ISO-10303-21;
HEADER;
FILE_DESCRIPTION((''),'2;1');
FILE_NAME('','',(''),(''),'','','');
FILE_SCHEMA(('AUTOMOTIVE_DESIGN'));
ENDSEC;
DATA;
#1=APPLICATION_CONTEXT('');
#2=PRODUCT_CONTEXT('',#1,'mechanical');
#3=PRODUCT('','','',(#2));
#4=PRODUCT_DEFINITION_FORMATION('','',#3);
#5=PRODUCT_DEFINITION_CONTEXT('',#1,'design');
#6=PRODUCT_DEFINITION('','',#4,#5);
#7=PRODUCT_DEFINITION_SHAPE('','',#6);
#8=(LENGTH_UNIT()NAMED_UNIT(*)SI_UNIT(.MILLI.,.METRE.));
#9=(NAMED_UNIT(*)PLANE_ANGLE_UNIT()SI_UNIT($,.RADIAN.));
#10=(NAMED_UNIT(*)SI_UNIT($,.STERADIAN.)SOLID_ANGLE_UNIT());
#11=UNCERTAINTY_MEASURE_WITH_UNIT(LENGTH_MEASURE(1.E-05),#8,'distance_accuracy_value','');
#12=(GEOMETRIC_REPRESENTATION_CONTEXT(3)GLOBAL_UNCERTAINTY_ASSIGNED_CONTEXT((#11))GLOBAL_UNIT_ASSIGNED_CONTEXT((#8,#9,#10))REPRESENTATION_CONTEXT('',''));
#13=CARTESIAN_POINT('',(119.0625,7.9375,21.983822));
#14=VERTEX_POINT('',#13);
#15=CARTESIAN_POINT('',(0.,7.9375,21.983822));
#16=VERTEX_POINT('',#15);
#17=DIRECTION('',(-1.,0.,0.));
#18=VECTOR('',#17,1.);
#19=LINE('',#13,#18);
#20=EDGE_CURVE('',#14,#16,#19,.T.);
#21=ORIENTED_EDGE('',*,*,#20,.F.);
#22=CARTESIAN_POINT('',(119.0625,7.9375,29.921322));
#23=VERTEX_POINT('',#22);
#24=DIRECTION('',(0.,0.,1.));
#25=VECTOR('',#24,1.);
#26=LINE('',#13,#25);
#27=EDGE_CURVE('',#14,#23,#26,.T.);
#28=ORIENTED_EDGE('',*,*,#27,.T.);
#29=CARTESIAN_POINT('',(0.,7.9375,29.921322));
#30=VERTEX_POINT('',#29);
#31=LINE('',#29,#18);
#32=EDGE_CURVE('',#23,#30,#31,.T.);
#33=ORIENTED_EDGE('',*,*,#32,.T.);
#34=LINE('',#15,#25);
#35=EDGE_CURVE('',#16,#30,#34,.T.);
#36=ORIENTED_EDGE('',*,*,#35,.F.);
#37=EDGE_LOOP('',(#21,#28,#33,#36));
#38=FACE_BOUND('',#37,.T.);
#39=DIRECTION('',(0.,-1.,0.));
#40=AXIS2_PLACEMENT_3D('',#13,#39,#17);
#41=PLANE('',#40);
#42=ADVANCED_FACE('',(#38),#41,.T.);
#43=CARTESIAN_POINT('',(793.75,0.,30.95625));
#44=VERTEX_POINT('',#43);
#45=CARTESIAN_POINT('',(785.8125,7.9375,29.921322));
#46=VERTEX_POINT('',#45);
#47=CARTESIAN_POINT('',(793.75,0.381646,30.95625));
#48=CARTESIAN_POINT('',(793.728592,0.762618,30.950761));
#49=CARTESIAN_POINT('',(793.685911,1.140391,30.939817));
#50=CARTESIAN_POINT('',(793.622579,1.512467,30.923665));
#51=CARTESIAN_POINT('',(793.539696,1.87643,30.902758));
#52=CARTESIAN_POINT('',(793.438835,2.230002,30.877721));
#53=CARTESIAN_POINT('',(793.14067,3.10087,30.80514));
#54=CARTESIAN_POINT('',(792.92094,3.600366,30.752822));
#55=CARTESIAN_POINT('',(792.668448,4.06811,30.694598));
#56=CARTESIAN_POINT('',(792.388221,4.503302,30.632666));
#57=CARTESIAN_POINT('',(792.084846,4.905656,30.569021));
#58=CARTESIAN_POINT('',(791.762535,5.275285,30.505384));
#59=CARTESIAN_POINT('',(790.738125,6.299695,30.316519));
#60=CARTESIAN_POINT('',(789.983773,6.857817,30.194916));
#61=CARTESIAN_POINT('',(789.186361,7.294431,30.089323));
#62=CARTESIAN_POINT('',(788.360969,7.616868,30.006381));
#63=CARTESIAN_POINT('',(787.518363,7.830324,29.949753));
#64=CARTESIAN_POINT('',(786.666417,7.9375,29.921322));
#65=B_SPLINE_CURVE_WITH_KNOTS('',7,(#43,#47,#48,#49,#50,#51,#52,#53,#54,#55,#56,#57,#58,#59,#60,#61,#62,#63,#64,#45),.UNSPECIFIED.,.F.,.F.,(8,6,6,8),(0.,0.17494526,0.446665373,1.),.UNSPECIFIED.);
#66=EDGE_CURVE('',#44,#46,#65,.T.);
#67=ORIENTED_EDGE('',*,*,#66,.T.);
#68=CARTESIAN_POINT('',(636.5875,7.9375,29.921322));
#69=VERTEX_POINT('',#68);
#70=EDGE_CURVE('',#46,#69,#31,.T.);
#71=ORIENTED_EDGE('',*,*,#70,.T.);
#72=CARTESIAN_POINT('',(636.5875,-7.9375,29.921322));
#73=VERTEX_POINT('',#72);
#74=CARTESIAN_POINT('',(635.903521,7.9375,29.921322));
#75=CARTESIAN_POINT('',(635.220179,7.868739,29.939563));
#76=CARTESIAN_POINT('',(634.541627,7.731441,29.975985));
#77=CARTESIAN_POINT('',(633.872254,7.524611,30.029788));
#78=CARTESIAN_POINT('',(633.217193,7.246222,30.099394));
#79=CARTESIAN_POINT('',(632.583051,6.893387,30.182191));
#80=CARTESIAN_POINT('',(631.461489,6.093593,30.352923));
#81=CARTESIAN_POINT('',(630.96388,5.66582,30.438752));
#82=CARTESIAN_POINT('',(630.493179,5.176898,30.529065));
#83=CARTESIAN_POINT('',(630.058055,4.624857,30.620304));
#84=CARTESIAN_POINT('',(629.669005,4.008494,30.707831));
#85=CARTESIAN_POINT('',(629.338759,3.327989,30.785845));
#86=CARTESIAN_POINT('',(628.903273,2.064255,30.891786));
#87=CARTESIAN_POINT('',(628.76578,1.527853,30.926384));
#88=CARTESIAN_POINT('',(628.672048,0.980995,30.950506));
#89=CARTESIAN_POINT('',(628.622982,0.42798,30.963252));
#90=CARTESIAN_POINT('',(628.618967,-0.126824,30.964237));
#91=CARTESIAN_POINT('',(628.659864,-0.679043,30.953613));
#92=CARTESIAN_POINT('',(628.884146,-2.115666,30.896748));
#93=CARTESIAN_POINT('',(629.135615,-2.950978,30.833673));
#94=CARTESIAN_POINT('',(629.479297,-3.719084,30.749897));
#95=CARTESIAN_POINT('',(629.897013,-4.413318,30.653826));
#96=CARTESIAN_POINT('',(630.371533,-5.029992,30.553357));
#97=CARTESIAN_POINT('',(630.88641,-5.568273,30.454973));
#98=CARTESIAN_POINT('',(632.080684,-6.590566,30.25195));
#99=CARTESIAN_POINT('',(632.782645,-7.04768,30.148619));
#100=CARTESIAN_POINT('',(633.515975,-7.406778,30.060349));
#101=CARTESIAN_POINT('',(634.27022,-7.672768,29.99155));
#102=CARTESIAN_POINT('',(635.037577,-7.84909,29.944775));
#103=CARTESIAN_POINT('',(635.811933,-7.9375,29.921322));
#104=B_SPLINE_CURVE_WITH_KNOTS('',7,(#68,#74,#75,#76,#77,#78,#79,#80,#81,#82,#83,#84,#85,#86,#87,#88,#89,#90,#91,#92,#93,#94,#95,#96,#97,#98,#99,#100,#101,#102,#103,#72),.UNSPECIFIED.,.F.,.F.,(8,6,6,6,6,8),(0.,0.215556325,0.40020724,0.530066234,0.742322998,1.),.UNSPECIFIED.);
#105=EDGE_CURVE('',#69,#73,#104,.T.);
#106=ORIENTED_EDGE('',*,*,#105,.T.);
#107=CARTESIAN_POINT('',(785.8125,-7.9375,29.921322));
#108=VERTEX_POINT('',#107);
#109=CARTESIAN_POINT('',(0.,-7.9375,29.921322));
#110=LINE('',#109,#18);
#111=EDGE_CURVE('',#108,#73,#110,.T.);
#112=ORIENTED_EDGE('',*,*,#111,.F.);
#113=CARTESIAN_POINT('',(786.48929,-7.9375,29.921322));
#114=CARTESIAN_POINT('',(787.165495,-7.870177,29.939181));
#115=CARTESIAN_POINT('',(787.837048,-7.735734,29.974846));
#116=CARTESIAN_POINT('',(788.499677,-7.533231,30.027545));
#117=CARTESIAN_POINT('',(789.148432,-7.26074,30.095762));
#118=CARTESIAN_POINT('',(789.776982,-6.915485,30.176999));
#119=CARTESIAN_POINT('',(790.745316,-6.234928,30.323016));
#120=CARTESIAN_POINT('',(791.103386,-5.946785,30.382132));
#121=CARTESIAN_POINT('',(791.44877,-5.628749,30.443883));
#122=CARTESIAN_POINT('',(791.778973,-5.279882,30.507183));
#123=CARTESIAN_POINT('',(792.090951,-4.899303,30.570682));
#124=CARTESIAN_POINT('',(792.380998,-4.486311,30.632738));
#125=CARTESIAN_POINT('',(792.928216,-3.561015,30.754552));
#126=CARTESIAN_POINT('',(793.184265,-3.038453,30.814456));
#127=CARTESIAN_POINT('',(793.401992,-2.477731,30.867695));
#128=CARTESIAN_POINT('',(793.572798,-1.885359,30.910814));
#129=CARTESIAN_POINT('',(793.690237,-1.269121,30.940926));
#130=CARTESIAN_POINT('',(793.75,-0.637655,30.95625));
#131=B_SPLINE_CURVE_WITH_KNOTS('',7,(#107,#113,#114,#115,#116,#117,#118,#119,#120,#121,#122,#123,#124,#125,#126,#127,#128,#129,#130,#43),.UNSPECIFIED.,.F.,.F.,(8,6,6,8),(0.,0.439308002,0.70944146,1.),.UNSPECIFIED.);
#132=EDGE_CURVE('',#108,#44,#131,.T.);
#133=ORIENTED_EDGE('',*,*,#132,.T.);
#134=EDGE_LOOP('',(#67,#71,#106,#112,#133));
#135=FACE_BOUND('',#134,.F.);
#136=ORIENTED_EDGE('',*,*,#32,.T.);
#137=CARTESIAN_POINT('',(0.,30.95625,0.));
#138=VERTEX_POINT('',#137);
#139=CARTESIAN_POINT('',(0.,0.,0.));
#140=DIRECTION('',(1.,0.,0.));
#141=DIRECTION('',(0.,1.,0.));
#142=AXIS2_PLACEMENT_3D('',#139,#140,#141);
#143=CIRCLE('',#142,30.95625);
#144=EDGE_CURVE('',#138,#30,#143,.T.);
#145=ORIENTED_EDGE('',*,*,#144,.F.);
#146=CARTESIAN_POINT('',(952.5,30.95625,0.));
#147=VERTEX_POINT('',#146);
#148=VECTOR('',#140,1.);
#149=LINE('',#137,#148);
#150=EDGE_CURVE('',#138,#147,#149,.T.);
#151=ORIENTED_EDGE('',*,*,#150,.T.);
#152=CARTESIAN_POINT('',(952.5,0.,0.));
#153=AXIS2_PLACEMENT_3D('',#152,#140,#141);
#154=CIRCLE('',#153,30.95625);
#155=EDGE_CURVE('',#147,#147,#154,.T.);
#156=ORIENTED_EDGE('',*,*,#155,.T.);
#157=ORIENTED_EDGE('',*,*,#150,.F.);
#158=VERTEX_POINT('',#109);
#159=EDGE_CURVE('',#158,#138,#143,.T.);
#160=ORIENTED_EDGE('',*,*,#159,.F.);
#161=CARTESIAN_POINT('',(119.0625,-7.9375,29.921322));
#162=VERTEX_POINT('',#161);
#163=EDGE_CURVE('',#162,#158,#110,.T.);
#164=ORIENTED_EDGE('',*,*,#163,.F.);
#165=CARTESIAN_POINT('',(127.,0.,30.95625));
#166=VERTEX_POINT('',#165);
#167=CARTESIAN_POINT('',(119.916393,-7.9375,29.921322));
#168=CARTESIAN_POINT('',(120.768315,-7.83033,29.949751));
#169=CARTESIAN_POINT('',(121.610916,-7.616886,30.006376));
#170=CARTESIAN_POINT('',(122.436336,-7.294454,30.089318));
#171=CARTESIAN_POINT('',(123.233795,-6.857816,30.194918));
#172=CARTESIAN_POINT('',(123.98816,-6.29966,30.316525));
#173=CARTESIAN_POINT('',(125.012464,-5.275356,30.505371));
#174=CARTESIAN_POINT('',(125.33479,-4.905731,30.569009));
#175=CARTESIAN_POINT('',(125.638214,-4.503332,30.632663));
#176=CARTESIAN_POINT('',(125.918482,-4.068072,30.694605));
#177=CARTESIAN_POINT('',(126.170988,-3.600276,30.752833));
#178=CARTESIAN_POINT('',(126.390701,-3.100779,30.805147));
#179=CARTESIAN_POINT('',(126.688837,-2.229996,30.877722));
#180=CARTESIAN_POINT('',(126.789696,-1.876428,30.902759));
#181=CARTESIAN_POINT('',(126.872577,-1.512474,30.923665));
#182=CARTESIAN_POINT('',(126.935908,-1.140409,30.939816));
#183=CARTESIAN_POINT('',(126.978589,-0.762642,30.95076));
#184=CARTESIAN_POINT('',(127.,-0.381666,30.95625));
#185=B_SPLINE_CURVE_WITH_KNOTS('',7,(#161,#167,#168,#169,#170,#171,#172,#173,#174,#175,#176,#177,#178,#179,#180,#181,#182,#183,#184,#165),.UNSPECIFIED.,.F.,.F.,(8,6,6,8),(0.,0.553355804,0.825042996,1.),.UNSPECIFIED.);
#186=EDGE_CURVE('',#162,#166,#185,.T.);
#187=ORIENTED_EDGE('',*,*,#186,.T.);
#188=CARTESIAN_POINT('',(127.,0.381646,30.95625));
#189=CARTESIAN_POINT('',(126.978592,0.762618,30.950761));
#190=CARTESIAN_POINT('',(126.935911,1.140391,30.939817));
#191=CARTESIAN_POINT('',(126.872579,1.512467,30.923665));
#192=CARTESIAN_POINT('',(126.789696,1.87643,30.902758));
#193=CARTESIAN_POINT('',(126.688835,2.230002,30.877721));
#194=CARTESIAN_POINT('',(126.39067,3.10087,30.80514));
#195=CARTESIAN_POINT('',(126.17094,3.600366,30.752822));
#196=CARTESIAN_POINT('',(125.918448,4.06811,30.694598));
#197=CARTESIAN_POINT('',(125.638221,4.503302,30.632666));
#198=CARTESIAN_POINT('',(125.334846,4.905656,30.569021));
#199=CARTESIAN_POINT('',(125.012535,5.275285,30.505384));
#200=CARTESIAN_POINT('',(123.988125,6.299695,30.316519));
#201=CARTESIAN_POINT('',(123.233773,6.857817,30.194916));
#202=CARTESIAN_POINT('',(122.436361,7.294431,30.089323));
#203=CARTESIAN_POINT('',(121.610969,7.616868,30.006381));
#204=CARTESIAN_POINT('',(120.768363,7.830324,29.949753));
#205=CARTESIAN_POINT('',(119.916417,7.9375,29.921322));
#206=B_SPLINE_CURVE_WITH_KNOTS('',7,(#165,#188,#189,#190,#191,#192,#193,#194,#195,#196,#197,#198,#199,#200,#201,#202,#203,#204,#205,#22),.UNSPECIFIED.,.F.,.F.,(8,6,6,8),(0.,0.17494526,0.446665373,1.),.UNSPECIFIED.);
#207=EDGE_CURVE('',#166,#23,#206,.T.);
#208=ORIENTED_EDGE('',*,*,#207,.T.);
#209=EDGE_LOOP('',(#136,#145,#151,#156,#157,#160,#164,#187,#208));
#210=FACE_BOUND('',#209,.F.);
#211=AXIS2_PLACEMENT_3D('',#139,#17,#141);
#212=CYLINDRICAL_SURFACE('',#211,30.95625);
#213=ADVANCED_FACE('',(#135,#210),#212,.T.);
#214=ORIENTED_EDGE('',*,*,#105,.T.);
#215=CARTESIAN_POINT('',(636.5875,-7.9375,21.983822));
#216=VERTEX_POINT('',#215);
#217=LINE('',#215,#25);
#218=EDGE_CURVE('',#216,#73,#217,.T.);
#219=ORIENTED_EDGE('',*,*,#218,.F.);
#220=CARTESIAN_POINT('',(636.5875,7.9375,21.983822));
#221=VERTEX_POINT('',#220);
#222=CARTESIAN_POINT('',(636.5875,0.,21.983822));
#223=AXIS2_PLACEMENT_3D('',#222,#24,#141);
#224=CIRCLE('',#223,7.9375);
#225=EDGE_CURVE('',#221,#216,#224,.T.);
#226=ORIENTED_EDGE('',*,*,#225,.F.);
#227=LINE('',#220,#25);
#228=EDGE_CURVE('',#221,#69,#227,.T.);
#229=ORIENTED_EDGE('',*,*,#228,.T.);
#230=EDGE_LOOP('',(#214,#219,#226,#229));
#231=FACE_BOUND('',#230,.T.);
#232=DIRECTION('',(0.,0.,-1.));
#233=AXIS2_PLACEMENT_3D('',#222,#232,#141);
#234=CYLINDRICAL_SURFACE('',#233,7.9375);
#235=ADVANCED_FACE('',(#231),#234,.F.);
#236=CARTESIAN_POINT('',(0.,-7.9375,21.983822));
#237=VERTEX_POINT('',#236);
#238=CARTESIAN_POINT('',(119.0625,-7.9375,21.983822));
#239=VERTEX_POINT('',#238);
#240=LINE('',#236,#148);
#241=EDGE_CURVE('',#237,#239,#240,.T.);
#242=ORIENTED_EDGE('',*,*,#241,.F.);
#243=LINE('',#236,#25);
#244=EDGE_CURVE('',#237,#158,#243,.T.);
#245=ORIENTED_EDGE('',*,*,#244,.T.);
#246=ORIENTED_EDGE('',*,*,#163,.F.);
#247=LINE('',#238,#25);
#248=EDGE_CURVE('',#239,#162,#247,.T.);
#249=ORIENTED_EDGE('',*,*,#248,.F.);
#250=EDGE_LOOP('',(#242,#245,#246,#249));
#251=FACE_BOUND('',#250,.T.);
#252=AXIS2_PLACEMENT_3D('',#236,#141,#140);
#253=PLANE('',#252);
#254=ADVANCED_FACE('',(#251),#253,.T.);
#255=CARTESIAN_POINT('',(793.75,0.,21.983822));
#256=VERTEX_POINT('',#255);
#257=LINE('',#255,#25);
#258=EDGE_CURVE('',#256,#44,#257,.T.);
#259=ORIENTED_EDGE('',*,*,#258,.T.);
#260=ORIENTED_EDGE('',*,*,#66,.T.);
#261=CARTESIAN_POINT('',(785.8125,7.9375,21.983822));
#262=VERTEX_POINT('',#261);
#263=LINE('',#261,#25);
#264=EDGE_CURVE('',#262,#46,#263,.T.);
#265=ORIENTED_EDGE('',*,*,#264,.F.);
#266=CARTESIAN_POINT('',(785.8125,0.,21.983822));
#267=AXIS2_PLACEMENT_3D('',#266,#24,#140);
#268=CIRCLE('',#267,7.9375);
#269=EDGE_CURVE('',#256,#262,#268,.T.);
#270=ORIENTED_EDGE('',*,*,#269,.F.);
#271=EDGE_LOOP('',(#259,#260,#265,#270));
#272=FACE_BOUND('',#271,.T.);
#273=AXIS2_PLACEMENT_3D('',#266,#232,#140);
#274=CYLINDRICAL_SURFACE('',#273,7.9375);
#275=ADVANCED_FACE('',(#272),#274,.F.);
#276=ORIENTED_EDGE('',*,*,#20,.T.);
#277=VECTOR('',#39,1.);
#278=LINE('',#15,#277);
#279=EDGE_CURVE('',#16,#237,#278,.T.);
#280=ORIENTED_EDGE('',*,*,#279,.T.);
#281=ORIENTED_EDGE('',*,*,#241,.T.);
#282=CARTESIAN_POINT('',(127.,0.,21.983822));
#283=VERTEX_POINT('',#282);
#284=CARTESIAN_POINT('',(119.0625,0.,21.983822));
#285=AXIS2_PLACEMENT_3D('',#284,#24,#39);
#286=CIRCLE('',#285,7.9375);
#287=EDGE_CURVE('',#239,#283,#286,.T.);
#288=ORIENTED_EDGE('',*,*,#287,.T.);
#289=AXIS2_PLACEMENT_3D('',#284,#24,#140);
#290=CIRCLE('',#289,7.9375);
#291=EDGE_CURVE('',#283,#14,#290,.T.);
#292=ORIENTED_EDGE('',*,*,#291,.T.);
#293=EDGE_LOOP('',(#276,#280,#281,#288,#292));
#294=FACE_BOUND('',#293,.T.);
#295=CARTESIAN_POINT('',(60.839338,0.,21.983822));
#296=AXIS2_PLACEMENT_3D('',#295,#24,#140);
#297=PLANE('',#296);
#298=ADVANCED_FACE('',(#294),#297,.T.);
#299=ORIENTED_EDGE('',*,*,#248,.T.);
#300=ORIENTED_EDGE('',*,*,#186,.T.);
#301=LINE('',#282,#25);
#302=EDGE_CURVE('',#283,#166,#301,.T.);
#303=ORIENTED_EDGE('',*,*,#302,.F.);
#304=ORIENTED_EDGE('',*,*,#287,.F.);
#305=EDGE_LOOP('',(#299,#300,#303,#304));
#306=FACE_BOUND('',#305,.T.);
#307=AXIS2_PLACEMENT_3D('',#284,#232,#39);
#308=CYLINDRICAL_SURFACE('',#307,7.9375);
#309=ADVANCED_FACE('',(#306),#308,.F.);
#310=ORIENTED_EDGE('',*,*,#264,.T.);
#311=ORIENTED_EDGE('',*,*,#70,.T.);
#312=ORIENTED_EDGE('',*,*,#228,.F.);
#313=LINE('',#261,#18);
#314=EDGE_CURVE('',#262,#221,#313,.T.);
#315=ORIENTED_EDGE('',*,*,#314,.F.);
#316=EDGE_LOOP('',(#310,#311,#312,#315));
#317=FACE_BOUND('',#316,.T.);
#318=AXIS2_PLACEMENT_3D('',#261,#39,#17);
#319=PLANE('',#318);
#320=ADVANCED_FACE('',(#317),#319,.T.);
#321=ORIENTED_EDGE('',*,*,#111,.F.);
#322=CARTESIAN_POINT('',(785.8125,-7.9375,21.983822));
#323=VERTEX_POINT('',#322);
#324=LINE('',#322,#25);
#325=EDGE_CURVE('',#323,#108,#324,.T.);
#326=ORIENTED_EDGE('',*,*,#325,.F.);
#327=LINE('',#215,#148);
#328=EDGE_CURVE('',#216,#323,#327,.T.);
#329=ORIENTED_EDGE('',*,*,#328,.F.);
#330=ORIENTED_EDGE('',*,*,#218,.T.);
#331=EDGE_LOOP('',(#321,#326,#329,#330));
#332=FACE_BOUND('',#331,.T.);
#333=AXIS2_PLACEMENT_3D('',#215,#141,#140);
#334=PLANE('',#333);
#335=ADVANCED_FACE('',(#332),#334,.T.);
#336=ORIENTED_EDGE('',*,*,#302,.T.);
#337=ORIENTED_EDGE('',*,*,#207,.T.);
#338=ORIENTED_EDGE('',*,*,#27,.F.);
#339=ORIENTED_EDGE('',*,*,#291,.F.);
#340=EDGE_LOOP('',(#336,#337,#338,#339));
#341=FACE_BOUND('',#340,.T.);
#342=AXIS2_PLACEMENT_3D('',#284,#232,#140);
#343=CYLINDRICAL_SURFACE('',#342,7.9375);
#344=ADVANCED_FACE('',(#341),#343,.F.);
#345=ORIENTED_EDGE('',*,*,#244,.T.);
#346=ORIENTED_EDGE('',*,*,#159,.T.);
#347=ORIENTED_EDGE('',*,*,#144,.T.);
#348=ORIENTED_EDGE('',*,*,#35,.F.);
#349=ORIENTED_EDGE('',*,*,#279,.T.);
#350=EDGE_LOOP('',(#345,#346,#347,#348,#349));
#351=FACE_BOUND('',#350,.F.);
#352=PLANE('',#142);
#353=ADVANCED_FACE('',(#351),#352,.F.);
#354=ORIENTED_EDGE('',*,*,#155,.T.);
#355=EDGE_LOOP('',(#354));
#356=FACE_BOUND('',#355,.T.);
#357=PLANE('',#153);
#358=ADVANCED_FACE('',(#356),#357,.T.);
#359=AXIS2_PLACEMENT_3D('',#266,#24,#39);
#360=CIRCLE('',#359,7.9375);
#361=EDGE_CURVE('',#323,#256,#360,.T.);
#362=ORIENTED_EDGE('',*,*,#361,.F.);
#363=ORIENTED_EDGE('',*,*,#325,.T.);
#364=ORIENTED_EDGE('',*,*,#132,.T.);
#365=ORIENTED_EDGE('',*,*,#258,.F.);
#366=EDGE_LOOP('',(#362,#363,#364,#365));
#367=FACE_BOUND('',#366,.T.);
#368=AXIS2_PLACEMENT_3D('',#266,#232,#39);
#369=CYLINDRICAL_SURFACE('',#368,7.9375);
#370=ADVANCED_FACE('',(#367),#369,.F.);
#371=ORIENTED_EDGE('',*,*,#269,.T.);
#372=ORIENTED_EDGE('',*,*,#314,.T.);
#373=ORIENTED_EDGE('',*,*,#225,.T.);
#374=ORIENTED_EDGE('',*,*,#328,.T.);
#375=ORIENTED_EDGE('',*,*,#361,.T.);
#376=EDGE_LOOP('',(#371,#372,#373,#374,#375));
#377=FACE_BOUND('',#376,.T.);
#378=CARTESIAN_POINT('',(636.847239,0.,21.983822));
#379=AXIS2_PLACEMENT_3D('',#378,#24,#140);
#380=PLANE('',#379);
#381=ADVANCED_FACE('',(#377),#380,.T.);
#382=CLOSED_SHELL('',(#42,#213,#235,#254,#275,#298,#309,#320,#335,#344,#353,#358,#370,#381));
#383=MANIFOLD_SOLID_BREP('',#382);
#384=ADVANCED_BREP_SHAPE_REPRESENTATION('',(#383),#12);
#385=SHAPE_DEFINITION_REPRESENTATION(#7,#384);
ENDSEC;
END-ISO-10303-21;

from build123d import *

# Parameters (mm, degrees)
F0_R     = 30.95625
F1_DEPTH = 952.5
F6_DEPTH = 9.9724281426


with BuildPart() as f1:
    # F0 (on Right) → F1 (new body)
    with BuildSketch(Plane.YZ):
        Circle(F0_R)
    extrude(amount=F1_DEPTH)

    # F5 (on plane+point) → F6 (cut, up to face)
    with BuildSketch(Plane.XY.offset(21.9838219596)):
        with BuildLine():
            Line((0, 7.9375), (0, 0))
            Line((0, 0), (0, -7.9375))
            Line((0, -7.9375), (119.0625, -7.9375))
            ThreePointArc((119.0625, -7.9375), (111.125, 0), (119.0625, 7.9375))
            Line((119.0625, 7.9375), (0, 7.9375))
        make_face()
        with BuildLine():
            ThreePointArc((119.0625, 7.9375), (111.125, 0), (119.0625, -7.9375))
            ThreePointArc((119.0625, -7.9375), (124.6751600757, -5.6126600757), (127, 0))
            ThreePointArc((127, 0), (124.6751600757, 5.6126600757), (119.0625, 7.9375))
        make_face()
        with BuildLine():
            ThreePointArc((636.5875, -7.9375), (642.2001600757, -5.6126600757), (644.525, 0))
            ThreePointArc((644.525, 0), (642.2001600757, 5.6126600757), (636.5875, 7.9375))
            ThreePointArc((636.5875, 7.9375), (628.65, 0), (636.5875, -7.9375))
        make_face()
        with BuildLine():
            ThreePointArc((636.5875, 7.9375), (642.2001600757, 5.6126600757), (644.525, 0))
            ThreePointArc((644.525, 0), (642.2001600757, -5.6126600757), (636.5875, -7.9375))
            Line((636.5875, -7.9375), (785.8125, -7.9375))
            ThreePointArc((785.8125, -7.9375), (777.875, 0), (785.8125, 7.9375))
            Line((785.8125, 7.9375), (636.5875, 7.9375))
        make_face()
        with BuildLine():
            ThreePointArc((793.75, 0), (791.4251600757, 5.6126600757), (785.8125, 7.9375))
            ThreePointArc((785.8125, 7.9375), (777.875, 0), (785.8125, -7.9375))
            ThreePointArc((785.8125, -7.9375), (791.4251600757, -5.6126600757), (793.75, 0))
        make_face()
    extrude(amount=F6_DEPTH, mode=Mode.SUBTRACT)


solid = f1.part
